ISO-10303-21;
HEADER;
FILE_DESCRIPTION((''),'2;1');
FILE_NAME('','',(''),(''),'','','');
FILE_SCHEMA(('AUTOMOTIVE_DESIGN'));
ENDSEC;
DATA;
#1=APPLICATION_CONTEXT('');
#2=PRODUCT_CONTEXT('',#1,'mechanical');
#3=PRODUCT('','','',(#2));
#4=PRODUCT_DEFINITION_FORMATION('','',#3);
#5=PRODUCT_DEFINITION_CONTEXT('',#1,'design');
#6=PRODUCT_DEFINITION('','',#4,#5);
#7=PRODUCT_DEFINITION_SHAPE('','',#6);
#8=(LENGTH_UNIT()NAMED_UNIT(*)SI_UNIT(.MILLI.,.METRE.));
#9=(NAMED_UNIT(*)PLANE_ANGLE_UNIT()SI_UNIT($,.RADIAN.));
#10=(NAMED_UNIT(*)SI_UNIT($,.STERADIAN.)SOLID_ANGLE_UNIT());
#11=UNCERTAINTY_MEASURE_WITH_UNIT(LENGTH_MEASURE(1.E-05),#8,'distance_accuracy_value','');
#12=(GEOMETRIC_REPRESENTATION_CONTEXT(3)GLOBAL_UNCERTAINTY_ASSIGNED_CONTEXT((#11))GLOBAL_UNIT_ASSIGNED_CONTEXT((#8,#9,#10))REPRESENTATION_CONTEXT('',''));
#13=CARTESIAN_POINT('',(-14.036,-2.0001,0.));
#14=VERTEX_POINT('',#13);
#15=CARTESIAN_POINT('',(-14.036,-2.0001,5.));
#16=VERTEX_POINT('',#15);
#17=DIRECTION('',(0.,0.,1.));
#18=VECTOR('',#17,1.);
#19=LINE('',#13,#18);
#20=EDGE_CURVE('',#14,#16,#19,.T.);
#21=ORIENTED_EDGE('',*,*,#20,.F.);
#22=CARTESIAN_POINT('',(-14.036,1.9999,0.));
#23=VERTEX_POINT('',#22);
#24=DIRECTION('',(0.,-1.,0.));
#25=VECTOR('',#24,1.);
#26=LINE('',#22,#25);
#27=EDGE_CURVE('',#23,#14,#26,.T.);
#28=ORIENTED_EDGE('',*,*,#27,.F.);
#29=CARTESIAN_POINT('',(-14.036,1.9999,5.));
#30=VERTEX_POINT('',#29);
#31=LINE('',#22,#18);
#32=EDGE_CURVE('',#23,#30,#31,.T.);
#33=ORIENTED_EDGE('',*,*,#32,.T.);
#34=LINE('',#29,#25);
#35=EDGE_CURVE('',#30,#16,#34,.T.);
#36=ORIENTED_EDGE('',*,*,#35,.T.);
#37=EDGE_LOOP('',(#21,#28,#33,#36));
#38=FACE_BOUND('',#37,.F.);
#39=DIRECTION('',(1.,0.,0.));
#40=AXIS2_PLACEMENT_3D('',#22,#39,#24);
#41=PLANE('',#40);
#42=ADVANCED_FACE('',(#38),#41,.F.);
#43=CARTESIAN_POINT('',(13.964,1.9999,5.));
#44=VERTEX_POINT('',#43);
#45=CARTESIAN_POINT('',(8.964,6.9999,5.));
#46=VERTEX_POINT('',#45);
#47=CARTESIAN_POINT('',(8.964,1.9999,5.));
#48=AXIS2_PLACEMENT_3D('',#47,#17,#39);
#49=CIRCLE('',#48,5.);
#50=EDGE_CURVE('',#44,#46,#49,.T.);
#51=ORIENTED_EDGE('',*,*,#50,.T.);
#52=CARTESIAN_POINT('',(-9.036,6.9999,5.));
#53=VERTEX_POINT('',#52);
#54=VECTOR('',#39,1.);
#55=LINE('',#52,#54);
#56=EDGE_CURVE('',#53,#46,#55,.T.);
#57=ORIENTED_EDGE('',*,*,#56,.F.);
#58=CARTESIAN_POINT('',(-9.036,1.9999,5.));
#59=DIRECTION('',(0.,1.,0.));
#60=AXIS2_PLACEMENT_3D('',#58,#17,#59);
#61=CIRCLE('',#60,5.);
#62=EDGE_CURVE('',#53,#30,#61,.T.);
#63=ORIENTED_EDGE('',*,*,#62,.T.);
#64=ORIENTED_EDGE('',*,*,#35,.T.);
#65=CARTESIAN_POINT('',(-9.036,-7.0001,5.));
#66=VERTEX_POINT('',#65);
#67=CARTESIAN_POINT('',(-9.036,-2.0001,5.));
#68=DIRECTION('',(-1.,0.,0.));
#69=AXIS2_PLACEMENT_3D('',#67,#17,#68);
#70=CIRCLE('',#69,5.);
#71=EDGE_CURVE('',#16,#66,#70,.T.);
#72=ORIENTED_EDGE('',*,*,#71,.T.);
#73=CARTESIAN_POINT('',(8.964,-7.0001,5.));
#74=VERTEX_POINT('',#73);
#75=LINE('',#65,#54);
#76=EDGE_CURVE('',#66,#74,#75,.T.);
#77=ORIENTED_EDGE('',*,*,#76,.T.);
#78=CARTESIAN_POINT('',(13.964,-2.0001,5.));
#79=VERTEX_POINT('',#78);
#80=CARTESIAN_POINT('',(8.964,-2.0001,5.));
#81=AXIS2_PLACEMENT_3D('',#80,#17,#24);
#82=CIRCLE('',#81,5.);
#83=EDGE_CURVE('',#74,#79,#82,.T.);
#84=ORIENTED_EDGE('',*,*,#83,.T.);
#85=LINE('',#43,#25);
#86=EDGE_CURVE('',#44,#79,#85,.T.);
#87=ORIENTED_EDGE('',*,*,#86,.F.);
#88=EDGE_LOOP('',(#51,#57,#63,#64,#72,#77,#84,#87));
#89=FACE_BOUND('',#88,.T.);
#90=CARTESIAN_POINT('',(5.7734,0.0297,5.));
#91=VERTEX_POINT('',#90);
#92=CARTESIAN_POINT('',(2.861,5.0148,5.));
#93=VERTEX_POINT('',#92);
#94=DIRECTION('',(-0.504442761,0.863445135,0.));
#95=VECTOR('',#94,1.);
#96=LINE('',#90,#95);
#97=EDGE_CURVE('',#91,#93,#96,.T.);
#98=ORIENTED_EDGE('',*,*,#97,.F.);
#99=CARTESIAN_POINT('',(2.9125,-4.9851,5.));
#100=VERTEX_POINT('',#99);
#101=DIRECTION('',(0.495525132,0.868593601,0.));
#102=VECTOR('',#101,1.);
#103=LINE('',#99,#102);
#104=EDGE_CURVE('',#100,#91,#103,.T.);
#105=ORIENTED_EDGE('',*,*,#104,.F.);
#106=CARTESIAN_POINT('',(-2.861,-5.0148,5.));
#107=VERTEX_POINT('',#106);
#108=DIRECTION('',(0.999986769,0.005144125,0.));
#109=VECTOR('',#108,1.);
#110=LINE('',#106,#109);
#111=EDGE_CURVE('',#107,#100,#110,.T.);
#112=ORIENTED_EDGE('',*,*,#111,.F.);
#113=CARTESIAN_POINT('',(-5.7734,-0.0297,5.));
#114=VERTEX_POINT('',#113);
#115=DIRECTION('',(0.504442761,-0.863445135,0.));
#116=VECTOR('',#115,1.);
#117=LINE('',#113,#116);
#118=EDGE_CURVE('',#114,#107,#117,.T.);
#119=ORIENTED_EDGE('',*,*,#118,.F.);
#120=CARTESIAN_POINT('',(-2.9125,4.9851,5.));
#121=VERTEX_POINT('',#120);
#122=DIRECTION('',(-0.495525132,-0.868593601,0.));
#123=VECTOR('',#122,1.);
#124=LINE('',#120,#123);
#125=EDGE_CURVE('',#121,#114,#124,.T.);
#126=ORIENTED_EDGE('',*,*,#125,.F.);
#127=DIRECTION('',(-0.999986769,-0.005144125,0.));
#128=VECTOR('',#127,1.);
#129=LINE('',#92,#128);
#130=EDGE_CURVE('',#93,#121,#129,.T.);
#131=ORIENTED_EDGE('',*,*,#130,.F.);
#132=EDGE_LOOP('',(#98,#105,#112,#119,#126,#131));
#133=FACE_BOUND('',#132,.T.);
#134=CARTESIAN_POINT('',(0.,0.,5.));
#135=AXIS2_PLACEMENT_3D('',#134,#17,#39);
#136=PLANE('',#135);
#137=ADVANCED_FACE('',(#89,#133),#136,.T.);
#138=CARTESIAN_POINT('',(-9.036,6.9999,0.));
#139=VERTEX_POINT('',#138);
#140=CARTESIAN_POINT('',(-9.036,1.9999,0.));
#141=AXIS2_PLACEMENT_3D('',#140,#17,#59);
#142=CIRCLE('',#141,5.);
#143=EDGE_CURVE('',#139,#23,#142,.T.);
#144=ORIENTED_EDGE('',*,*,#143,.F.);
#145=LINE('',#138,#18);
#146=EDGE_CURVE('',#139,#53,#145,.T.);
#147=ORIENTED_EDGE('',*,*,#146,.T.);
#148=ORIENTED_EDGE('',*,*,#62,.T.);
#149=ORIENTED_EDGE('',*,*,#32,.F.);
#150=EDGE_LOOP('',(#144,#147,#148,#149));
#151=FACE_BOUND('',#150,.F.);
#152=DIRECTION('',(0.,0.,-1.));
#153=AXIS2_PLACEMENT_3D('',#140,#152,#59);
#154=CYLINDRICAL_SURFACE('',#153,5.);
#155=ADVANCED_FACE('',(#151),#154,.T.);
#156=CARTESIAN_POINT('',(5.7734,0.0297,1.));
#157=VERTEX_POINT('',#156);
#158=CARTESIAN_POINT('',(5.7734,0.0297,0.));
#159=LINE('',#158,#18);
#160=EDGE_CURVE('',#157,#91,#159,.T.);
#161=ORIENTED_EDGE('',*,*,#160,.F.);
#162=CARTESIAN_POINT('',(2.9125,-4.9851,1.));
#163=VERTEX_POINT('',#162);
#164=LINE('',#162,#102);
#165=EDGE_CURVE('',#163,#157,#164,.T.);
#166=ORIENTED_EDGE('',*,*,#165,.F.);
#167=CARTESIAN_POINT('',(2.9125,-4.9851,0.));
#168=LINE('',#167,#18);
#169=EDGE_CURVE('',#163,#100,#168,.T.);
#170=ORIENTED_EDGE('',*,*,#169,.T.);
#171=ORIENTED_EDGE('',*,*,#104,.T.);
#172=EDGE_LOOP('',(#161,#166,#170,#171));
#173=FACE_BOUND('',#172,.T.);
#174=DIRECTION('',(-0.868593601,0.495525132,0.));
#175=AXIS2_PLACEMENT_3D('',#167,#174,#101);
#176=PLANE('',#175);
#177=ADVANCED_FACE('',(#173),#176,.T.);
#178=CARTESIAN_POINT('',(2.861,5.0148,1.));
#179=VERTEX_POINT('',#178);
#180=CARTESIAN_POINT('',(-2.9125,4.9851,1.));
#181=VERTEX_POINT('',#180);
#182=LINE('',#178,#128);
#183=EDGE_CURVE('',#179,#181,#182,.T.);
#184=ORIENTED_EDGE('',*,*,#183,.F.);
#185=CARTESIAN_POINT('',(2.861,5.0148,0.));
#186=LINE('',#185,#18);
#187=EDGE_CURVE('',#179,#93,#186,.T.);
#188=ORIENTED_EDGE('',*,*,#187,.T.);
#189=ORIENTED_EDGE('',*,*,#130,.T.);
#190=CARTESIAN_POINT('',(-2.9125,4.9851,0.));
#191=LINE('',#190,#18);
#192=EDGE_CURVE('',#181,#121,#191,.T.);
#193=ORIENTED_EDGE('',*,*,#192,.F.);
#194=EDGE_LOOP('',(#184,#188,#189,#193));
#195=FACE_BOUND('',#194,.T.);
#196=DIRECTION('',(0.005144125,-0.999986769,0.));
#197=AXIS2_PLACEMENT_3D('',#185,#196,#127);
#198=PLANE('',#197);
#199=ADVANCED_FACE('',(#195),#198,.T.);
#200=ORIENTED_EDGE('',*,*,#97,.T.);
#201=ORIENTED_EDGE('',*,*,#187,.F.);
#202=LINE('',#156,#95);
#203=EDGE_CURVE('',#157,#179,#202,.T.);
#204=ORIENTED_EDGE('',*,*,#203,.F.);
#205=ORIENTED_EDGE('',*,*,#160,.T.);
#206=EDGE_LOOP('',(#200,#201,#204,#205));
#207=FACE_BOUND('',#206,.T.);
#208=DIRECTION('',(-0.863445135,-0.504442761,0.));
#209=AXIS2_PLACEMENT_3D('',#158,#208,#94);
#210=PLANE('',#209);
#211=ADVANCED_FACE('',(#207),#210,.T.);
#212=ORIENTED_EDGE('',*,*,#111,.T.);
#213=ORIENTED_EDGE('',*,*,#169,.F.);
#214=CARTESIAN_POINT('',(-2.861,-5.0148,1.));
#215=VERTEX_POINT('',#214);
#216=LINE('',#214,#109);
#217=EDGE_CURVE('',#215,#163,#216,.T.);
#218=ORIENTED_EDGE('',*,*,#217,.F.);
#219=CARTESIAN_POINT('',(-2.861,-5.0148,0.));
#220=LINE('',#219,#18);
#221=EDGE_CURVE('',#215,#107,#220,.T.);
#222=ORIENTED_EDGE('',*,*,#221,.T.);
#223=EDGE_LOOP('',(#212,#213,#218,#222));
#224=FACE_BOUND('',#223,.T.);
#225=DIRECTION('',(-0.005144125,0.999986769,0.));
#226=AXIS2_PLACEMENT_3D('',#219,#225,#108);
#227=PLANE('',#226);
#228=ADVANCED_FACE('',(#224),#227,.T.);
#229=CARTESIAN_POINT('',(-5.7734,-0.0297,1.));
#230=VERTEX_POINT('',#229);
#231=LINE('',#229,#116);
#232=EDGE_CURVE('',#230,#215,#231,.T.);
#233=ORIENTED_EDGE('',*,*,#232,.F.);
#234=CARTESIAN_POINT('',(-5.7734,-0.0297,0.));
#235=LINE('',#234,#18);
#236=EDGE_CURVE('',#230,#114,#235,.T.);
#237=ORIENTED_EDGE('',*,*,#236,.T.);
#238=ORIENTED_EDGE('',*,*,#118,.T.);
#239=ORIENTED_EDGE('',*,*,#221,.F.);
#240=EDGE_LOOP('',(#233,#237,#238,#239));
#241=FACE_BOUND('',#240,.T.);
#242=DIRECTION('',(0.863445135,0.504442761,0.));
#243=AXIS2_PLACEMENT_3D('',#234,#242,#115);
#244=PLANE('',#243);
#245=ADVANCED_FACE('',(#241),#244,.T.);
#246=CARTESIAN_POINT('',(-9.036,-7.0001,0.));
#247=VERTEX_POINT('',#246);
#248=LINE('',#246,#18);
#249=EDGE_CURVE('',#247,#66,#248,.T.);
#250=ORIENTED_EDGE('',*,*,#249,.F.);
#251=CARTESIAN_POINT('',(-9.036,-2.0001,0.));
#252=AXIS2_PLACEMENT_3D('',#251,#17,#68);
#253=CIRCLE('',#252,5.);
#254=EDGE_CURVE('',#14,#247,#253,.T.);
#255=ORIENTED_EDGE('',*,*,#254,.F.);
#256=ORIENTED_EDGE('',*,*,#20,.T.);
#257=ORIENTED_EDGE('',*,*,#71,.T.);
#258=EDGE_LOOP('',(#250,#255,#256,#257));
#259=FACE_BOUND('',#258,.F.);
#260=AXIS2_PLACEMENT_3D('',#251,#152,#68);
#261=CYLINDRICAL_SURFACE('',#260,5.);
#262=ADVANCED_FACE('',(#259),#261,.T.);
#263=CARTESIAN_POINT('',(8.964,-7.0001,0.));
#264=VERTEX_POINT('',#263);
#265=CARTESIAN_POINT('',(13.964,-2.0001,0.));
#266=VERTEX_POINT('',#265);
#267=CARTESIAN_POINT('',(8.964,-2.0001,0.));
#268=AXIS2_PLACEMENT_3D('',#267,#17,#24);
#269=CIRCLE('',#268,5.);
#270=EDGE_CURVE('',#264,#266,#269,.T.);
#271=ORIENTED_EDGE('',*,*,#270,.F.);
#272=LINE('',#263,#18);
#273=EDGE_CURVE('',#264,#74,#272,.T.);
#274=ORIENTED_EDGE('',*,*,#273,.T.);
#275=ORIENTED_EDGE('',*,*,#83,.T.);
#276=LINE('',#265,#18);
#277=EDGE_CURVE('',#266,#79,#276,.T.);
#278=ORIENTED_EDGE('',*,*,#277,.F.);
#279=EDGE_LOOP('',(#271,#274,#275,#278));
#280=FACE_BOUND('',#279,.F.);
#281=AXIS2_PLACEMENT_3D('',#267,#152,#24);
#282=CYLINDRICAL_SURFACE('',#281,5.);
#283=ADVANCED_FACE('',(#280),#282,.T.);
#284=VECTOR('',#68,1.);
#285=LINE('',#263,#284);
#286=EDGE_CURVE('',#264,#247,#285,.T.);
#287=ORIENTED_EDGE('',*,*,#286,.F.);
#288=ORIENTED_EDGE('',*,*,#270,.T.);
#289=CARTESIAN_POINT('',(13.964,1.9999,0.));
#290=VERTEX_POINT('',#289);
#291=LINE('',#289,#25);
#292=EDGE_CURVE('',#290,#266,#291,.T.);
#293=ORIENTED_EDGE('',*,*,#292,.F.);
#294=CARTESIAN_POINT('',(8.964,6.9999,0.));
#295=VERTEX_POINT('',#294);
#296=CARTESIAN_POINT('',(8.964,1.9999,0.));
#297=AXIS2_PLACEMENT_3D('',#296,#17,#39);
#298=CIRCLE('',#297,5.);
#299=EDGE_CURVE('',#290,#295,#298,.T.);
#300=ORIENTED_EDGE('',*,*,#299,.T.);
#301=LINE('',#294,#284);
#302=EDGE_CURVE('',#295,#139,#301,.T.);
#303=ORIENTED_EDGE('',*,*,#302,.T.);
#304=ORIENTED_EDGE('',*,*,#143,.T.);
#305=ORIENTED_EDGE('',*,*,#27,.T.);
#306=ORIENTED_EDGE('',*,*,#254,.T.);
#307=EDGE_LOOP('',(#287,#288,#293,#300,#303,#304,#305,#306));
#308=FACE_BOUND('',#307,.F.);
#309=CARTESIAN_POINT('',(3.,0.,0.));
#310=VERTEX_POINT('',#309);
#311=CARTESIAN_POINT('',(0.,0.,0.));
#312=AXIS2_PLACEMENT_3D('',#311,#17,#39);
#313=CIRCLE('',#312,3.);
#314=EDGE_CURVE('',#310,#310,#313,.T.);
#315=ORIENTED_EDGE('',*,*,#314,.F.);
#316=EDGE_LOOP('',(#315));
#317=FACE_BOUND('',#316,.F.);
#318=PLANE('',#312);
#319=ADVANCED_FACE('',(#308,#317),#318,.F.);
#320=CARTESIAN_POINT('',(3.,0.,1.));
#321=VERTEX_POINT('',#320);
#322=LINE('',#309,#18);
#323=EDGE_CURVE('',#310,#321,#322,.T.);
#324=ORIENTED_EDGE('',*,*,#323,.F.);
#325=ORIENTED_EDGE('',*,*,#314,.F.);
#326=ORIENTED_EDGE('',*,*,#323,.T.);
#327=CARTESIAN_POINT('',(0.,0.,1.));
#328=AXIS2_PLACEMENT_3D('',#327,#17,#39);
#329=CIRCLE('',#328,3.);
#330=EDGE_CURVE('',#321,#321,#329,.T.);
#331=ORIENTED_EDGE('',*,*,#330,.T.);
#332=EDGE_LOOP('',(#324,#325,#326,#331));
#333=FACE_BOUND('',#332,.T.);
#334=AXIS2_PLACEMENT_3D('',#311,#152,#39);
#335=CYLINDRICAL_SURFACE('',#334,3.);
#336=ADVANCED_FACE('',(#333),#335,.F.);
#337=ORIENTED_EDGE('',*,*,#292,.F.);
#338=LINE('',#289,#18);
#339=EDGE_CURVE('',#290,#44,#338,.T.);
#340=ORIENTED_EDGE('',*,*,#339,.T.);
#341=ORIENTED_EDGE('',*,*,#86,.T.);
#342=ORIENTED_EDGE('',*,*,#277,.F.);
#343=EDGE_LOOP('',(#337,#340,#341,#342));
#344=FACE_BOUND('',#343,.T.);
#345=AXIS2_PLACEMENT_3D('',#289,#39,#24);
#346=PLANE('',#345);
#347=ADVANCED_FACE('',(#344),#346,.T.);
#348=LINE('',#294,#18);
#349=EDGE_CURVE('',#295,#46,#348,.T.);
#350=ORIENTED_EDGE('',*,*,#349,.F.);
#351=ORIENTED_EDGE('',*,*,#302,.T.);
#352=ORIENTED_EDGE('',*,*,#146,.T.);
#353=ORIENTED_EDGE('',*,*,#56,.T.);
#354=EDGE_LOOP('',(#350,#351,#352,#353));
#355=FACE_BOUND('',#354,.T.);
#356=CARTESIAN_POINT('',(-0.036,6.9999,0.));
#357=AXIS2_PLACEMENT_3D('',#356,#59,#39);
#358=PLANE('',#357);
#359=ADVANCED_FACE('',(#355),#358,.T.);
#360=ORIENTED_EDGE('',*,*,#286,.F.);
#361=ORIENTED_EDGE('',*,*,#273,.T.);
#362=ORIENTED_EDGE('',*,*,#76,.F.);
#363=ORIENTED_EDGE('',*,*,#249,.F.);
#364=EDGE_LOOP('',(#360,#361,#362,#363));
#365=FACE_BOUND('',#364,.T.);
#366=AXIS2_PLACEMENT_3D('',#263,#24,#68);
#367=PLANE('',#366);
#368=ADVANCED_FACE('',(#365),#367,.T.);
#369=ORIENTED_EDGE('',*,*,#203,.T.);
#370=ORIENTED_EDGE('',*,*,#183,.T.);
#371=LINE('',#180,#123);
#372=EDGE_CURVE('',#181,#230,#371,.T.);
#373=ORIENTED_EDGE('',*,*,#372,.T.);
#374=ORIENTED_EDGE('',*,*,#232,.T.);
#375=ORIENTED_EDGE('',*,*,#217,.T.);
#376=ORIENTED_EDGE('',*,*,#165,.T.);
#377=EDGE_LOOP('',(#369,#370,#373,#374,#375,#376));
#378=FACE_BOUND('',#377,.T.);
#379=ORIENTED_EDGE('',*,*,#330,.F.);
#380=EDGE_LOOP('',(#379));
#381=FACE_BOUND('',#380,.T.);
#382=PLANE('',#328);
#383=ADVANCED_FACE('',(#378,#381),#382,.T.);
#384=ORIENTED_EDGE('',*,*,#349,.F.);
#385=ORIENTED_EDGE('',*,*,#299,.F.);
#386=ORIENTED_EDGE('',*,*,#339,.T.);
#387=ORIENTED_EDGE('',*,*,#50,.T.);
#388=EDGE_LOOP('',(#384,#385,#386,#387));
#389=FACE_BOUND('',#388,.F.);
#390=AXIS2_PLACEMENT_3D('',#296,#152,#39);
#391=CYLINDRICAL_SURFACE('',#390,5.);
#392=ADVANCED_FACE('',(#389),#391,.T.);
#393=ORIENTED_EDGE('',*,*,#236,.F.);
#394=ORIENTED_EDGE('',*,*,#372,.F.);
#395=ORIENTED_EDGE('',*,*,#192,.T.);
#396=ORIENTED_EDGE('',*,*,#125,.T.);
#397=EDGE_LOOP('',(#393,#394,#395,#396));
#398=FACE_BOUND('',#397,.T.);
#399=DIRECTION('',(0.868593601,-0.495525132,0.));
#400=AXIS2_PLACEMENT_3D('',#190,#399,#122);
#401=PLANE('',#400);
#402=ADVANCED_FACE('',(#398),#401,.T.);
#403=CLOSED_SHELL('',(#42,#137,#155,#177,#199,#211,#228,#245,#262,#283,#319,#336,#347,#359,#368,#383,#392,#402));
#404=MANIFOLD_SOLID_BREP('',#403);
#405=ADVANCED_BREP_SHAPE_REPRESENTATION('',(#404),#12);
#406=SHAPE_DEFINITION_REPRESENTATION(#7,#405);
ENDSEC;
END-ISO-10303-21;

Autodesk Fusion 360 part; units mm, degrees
sketch "Sketch1" plane through (0, 0, 0) normal (0, 0, 1) x (1, 0, 0)
  line L0 (2.861, 5.0148) -> (-2.9125, 4.9851)
  line L1 (-2.9125, 4.9851) -> (-5.7734, -0.0297)
  line L2 (-5.7734, -0.0297) -> (-2.861, -5.0148)
  line L3 (-2.861, -5.0148) -> (2.9125, -4.9851)
  line L4 (2.9125, -4.9851) -> (5.7734, 0.0297)
  line L5 (5.7734, 0.0297) -> (2.861, 5.0148)
  line L6 (-0.036, 6.9999) -> (-9.036, 6.9999)
  line L7 (-14.036, 1.9999) -> (-14.036, -2.0001)
  line L8 (-9.036, -7.0001) -> (-0.036, -7.0001)
  line L9 (-0.036, 6.9999) -> (8.964, 6.9999)
  line L10 (13.964, 1.9999) -> (13.964, -2.0001)
  line L11 (8.964, -7.0001) -> (-0.036, -7.0001)
  arc A0 (-9.036, 6.9999) -> (-14.036, 1.9999) centre (-9.036, 1.9999) ccw
  arc A1 (-14.036, -2.0001) -> (-9.036, -7.0001) centre (-9.036, -2.0001) ccw
  arc A2 (13.964, 1.9999) -> (8.964, 6.9999) centre (8.964, 1.9999) ccw
  arc A3 (8.964, -7.0001) -> (13.964, -2.0001) centre (8.964, -2.0001) ccw
  circle A4 centre (0, 0) radius 3
  point P0 (-14.036, 6.9999)
  point P1 (13.964, 6.9999)
  dimension "d1" = 5
  dimension "d3" = 14
  dimension "d4" = 14
  dimension "d5" = 14
  dimension "d6" = 14
  dimension "d7" = 5
  dimension "d8" = 5
  dimension "d9" = 5
  dimension "d10" = 5
  dimension "d11" = 6
extrude "Extrude1" add sketch "Sketch1" along normal blind 5 contours L6 L7 L8 L9 L10 L11 A0 A1 A2 A3
extrude "Extrude2" add sketch "Sketch1" along normal blind 1 contours L0 L1 L2 L3 L4 L5
